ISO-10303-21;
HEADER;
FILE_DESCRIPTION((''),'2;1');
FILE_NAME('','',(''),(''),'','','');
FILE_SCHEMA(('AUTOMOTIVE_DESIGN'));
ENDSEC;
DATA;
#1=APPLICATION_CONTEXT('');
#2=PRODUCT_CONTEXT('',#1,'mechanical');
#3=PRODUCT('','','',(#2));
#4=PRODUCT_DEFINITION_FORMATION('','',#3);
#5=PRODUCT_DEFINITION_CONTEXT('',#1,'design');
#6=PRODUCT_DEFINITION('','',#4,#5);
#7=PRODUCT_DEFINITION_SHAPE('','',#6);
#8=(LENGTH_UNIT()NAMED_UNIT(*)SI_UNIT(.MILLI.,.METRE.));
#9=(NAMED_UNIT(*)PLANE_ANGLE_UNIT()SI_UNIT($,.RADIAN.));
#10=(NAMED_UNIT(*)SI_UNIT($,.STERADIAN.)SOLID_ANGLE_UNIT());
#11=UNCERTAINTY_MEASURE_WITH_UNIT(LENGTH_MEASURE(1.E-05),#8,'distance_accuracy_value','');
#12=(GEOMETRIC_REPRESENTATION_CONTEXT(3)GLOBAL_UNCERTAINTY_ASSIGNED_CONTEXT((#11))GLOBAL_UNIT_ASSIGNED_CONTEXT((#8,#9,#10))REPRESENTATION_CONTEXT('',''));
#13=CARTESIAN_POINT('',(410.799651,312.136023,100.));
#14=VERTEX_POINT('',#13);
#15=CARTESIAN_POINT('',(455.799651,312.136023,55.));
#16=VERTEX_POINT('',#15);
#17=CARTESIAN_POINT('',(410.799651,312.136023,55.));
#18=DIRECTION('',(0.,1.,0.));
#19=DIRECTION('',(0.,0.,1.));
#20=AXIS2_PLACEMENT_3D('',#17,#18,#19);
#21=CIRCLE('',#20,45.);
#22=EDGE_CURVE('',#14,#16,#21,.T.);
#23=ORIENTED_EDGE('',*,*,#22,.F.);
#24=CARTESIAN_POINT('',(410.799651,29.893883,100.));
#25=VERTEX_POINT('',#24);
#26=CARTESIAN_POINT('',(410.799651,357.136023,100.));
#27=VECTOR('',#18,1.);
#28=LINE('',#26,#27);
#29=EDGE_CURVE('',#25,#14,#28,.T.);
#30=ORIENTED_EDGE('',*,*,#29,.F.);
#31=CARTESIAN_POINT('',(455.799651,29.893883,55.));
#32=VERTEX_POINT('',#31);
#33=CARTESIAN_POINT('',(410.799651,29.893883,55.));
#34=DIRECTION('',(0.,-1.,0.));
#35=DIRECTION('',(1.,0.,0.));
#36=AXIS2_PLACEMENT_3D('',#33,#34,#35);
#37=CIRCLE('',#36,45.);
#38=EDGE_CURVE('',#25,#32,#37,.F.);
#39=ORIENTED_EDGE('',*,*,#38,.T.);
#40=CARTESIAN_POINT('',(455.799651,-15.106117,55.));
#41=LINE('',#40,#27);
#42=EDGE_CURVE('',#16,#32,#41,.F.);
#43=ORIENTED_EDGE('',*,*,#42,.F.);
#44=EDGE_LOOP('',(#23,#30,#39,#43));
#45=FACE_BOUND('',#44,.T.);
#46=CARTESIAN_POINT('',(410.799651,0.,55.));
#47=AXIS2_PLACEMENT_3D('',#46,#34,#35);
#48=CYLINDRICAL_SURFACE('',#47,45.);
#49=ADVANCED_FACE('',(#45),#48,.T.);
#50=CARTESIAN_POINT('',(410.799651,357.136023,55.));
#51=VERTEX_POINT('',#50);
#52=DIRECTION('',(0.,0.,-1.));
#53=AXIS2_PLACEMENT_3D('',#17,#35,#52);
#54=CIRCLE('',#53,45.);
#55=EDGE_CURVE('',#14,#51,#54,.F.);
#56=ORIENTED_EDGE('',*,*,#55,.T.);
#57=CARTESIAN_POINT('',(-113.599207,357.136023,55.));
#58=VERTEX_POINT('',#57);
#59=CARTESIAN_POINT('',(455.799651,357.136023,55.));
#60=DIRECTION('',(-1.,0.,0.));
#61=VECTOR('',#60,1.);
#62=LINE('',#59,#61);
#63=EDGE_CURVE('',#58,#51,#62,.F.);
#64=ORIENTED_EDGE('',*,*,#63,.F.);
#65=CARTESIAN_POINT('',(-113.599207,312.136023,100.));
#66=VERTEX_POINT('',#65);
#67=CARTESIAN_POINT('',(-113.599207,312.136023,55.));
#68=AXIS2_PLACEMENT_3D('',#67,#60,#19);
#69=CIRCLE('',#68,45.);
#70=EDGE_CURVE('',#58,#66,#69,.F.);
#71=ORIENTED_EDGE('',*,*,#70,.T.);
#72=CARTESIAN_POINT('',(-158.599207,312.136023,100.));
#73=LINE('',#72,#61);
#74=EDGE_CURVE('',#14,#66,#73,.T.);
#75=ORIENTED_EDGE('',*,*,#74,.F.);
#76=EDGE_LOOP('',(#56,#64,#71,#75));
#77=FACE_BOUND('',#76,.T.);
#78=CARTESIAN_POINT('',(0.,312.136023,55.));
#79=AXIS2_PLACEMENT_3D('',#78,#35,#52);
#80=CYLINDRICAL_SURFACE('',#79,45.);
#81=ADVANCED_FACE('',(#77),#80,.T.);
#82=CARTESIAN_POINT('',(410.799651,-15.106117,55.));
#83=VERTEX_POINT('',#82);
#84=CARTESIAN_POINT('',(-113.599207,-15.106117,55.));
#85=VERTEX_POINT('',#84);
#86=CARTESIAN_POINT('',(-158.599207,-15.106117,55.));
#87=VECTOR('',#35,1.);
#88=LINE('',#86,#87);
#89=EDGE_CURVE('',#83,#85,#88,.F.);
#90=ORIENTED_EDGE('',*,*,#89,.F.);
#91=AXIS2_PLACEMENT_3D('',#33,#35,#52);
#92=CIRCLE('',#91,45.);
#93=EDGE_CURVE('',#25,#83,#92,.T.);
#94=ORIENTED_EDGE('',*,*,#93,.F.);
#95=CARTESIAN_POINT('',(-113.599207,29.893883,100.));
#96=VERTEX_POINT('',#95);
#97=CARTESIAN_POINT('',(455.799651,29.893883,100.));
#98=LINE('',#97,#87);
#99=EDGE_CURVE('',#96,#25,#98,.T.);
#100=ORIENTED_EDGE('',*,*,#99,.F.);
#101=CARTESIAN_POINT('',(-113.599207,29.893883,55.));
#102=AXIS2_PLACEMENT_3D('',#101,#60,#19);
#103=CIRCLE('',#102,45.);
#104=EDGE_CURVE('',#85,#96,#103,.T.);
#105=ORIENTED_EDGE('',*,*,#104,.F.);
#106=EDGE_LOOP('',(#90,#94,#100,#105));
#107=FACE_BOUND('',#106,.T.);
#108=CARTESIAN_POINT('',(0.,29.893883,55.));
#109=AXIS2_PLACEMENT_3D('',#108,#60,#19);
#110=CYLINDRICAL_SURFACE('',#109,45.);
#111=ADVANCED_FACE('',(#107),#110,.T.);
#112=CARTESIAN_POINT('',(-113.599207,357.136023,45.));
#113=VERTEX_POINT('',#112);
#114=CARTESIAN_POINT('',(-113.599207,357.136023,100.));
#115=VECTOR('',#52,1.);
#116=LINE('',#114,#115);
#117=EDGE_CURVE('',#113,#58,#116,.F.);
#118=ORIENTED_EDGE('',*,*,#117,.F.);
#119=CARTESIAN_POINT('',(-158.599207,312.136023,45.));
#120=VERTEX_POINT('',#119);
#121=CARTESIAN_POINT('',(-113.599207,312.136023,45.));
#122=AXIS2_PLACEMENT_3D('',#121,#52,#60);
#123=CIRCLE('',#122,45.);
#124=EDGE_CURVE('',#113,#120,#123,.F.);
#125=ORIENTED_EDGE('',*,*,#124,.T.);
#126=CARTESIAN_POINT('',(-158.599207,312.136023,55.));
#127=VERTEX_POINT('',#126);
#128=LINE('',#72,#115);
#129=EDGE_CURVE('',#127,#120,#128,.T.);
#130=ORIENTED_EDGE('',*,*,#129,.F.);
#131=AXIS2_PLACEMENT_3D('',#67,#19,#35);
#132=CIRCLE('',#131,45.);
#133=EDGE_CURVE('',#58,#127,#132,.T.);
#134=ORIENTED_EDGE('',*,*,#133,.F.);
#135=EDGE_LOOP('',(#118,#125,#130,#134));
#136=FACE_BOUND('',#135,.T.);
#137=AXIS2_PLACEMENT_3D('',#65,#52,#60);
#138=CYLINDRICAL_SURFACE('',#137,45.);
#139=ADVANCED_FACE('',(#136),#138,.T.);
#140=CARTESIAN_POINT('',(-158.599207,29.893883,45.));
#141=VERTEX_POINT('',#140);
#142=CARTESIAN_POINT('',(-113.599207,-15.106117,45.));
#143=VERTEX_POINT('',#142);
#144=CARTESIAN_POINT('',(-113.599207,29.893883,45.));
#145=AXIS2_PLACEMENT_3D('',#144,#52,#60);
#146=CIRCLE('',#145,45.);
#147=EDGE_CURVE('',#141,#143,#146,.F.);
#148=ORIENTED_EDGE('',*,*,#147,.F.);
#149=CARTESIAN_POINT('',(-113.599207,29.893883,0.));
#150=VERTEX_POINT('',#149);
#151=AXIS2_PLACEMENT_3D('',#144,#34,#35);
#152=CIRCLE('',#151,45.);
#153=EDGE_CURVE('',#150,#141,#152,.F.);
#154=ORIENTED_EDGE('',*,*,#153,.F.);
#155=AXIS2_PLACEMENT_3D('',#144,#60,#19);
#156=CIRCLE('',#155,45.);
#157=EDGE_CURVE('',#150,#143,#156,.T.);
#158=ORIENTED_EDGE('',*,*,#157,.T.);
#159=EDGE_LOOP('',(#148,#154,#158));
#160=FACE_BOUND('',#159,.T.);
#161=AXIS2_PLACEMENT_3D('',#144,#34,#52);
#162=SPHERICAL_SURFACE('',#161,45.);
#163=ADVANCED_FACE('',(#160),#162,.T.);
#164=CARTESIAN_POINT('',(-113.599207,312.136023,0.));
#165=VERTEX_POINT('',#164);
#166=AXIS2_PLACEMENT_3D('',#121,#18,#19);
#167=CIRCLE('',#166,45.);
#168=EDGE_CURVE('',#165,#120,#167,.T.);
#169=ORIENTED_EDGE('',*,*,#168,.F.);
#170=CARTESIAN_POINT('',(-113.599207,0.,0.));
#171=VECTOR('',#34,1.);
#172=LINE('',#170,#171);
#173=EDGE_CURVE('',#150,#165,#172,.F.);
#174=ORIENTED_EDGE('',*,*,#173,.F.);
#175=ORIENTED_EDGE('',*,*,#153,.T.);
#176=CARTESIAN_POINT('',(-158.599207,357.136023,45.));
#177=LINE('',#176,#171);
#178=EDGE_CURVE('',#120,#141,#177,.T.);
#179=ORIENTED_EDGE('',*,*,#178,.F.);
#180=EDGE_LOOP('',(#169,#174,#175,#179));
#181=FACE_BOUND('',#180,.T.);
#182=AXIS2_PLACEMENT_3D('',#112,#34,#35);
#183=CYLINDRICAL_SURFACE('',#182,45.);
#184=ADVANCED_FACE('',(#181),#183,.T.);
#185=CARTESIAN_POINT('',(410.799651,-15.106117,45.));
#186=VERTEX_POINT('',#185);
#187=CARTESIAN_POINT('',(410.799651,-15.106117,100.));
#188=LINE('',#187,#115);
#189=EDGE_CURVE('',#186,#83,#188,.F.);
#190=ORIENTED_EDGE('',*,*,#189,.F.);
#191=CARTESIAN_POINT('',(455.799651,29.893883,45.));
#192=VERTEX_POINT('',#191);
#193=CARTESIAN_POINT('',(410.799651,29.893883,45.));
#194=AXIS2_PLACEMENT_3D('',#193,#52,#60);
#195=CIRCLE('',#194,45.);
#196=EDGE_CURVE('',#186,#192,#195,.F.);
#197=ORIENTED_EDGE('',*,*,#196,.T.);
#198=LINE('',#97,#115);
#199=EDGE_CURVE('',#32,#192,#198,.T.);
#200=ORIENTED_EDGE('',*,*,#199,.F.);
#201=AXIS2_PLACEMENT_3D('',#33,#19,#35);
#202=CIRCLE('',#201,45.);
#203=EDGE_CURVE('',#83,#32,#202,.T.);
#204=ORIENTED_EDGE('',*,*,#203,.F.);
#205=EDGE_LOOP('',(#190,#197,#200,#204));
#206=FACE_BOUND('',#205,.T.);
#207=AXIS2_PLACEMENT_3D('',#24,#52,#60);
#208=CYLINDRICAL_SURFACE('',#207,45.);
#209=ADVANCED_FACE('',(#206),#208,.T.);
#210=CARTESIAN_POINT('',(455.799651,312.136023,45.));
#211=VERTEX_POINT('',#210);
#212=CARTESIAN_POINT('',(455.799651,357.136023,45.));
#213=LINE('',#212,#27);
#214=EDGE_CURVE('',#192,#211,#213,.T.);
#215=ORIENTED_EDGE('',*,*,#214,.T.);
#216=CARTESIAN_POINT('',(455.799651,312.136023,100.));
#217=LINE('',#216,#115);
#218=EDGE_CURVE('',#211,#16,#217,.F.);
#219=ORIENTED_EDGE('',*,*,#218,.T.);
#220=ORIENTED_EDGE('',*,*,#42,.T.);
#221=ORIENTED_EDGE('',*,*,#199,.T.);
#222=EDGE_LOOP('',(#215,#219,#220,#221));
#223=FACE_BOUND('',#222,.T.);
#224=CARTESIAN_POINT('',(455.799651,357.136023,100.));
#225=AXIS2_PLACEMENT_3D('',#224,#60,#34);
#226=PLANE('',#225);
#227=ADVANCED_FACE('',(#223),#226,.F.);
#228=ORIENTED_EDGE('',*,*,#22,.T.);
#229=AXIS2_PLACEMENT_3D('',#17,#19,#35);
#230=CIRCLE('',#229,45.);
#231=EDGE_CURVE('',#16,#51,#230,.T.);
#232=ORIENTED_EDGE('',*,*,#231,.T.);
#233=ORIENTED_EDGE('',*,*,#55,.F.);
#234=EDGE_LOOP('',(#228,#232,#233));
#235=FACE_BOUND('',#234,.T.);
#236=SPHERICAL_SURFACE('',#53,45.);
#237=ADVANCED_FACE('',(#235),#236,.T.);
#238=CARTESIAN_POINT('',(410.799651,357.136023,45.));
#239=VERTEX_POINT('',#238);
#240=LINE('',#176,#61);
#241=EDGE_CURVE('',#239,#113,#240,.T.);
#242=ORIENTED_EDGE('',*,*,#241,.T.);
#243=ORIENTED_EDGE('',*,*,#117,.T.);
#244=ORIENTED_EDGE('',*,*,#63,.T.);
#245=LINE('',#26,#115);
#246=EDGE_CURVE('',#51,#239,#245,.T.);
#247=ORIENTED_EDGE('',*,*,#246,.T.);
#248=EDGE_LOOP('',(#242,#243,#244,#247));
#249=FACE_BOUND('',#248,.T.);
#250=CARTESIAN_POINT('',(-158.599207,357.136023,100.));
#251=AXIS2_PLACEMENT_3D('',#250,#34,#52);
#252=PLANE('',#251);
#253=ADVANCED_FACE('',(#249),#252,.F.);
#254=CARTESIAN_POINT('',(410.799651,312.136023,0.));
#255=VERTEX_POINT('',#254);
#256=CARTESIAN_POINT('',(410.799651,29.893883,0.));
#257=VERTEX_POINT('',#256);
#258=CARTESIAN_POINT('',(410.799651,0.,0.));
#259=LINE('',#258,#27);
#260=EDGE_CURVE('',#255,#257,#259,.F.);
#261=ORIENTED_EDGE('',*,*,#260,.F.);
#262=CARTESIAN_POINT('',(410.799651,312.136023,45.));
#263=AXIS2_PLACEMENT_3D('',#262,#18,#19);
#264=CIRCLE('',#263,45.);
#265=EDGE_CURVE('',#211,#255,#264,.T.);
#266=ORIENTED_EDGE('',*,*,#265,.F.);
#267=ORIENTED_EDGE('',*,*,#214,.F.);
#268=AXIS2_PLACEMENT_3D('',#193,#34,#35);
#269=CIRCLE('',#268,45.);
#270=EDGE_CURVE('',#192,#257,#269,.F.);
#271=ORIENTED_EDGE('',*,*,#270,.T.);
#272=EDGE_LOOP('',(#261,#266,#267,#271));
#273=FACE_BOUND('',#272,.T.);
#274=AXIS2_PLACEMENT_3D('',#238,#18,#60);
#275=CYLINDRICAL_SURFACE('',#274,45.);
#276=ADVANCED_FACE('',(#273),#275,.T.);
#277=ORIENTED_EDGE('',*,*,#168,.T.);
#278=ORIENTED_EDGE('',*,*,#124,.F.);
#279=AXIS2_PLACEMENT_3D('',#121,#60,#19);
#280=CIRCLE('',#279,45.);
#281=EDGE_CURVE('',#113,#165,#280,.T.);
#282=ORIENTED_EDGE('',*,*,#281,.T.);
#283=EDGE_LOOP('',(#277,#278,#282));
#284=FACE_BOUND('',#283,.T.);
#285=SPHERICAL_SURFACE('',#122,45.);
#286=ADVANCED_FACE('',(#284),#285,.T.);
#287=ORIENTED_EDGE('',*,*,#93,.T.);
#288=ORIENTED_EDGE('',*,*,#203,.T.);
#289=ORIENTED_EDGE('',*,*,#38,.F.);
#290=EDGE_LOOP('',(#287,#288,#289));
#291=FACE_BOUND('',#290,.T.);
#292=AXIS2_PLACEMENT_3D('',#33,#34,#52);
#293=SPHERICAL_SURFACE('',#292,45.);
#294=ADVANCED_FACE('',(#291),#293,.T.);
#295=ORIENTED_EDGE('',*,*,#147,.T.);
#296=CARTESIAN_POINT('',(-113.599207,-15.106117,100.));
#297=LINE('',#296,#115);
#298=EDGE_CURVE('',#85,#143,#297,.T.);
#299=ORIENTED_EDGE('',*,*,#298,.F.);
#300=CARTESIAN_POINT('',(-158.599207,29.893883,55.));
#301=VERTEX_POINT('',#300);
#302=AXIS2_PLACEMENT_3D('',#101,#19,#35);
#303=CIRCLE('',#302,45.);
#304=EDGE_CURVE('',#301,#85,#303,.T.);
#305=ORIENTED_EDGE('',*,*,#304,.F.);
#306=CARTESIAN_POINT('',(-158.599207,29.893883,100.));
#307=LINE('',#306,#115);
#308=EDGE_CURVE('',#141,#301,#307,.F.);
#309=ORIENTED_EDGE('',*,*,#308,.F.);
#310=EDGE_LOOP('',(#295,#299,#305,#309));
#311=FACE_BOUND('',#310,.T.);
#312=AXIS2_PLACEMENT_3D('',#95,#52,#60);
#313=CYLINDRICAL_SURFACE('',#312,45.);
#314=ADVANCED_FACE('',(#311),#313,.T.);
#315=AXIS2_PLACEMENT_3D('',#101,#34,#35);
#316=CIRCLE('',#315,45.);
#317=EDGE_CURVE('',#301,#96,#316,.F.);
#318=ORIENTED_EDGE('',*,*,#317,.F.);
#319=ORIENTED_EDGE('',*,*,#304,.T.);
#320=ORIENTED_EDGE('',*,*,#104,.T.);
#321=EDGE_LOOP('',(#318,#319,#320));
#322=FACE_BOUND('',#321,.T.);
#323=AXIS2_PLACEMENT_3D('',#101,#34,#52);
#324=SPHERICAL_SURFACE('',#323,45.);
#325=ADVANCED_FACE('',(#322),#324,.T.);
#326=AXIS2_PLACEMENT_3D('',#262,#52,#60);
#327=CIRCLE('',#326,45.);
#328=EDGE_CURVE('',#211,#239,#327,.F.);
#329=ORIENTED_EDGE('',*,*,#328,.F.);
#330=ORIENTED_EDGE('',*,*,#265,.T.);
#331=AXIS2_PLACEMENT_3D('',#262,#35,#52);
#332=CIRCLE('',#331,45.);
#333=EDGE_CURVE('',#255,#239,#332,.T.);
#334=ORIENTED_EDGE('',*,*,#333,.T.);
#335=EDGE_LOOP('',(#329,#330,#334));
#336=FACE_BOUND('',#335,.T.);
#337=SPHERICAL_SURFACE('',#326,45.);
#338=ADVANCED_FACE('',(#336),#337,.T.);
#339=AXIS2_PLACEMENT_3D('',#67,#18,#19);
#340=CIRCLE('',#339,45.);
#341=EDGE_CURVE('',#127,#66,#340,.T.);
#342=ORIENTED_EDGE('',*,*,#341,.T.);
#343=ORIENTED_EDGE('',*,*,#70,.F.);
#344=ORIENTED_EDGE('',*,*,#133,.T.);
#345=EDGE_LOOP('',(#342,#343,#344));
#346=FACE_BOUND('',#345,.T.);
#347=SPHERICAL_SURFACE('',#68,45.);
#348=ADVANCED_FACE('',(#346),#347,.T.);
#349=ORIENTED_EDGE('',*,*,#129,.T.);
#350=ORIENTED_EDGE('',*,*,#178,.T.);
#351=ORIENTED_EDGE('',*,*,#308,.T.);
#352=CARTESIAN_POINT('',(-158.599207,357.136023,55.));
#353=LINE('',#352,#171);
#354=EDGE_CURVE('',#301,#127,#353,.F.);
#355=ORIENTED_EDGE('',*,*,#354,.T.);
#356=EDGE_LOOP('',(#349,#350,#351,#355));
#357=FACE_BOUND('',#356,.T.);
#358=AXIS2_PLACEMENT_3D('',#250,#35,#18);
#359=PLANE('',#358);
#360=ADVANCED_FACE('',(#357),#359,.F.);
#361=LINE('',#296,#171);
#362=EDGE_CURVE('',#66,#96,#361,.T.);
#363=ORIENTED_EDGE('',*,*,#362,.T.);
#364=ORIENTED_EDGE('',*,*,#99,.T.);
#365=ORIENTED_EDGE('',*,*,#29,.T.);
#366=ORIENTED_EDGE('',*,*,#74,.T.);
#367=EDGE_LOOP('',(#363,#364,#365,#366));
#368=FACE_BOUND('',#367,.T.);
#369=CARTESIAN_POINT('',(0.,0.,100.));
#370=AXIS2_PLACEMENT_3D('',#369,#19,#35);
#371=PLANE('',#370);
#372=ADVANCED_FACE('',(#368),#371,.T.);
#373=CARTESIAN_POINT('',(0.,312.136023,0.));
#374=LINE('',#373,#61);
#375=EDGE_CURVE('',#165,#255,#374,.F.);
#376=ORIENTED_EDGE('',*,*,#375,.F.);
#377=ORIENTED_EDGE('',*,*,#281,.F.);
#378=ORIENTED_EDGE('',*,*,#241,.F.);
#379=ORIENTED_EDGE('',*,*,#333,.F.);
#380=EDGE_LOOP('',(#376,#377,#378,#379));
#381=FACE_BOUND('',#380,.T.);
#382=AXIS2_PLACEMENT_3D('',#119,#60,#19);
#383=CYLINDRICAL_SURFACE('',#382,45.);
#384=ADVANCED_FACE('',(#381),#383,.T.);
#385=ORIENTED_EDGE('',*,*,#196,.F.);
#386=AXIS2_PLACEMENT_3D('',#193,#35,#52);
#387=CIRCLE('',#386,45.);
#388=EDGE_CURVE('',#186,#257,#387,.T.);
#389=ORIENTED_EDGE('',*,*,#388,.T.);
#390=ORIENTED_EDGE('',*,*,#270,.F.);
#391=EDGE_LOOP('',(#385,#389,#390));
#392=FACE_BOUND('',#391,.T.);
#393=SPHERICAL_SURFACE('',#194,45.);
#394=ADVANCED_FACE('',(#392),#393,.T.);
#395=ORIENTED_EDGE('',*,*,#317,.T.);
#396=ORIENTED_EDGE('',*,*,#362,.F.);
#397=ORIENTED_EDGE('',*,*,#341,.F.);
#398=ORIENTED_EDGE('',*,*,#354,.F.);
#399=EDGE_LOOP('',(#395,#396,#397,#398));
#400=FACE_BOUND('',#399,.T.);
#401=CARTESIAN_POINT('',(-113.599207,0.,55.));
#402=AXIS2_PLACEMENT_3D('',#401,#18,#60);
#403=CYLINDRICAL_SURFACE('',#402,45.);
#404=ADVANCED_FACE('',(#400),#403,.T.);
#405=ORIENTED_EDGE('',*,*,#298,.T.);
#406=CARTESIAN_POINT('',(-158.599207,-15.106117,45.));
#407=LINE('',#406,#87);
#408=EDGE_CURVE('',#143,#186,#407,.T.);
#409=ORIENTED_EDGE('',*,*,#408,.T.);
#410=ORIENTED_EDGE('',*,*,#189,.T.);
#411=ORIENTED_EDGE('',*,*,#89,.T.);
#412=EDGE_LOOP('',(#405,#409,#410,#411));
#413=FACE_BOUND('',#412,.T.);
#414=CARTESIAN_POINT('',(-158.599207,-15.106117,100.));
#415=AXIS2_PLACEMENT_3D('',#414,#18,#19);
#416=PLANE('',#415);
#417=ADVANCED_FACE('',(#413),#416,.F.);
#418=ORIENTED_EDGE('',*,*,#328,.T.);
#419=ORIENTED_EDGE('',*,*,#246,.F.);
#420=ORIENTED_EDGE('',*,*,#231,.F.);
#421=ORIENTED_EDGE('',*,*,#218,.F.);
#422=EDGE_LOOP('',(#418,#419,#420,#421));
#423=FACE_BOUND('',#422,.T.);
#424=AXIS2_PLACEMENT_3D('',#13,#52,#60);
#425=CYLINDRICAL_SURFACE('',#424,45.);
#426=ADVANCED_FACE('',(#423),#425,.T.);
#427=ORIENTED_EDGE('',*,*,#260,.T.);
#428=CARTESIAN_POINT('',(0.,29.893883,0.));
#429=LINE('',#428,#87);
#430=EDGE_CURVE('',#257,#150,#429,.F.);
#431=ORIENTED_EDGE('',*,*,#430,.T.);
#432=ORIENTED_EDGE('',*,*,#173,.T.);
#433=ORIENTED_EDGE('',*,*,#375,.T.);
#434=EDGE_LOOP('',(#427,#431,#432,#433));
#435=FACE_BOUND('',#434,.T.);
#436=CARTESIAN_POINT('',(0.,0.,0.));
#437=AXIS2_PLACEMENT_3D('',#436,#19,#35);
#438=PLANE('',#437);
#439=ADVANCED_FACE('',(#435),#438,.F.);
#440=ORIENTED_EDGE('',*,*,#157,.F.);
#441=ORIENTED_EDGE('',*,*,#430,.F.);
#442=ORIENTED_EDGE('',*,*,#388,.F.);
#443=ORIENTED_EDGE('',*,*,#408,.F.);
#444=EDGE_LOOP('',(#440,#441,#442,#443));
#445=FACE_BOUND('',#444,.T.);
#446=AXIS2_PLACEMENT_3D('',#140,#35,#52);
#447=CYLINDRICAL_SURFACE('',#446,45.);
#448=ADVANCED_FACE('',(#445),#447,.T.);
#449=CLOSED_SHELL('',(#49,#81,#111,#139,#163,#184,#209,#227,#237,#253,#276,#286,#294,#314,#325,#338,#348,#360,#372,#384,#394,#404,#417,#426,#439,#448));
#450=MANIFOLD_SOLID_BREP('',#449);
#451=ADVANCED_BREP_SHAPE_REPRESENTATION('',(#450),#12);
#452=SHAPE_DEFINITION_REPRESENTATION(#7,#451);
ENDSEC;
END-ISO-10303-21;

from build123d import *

# Parameters (mm, degrees)
SKETCH1_W           = 614.398858185
SKETCH1_H           = 372.242140157
BOSS_EXTRUDE1_DEPTH = 100
FILLET1_R           = 45


with BuildPart() as part:
    # Sketch1 → Boss-Extrude1 (new body)
    with BuildSketch(Plane.XY):
        with Locations((148.600222275, 171.014952726)):
            Rectangle(SKETCH1_W, SKETCH1_H)
    extrude(amount=BOSS_EXTRUDE1_DEPTH)

    # Fillet1
    fillet1_edges = [part.edges().sort_by_distance(p)[0] for p in [
        (455.799651367, 171.014952725, 100),
        (148.600222275, 357.136022804, 100),
        (-158.599206818, 171.014952725, 100),
        (148.600222275, 357.136022804, 0),
        (455.799651367, 171.014952725, 0),
        (148.600222275, -15.106117353, 0),
        (-158.599206818, 171.014952725, 0),
        (-158.599206818, 357.136022804, 50),
        (455.799651367, 357.136022804, 50),
        (455.799651367, -15.106117353, 50),
        (-158.599206818, -15.106117353, 50),
        (148.600222275, -15.106117353, 100),
    ]]
    fillet(fillet1_edges, radius=FILLET1_R)


solid = part.part
